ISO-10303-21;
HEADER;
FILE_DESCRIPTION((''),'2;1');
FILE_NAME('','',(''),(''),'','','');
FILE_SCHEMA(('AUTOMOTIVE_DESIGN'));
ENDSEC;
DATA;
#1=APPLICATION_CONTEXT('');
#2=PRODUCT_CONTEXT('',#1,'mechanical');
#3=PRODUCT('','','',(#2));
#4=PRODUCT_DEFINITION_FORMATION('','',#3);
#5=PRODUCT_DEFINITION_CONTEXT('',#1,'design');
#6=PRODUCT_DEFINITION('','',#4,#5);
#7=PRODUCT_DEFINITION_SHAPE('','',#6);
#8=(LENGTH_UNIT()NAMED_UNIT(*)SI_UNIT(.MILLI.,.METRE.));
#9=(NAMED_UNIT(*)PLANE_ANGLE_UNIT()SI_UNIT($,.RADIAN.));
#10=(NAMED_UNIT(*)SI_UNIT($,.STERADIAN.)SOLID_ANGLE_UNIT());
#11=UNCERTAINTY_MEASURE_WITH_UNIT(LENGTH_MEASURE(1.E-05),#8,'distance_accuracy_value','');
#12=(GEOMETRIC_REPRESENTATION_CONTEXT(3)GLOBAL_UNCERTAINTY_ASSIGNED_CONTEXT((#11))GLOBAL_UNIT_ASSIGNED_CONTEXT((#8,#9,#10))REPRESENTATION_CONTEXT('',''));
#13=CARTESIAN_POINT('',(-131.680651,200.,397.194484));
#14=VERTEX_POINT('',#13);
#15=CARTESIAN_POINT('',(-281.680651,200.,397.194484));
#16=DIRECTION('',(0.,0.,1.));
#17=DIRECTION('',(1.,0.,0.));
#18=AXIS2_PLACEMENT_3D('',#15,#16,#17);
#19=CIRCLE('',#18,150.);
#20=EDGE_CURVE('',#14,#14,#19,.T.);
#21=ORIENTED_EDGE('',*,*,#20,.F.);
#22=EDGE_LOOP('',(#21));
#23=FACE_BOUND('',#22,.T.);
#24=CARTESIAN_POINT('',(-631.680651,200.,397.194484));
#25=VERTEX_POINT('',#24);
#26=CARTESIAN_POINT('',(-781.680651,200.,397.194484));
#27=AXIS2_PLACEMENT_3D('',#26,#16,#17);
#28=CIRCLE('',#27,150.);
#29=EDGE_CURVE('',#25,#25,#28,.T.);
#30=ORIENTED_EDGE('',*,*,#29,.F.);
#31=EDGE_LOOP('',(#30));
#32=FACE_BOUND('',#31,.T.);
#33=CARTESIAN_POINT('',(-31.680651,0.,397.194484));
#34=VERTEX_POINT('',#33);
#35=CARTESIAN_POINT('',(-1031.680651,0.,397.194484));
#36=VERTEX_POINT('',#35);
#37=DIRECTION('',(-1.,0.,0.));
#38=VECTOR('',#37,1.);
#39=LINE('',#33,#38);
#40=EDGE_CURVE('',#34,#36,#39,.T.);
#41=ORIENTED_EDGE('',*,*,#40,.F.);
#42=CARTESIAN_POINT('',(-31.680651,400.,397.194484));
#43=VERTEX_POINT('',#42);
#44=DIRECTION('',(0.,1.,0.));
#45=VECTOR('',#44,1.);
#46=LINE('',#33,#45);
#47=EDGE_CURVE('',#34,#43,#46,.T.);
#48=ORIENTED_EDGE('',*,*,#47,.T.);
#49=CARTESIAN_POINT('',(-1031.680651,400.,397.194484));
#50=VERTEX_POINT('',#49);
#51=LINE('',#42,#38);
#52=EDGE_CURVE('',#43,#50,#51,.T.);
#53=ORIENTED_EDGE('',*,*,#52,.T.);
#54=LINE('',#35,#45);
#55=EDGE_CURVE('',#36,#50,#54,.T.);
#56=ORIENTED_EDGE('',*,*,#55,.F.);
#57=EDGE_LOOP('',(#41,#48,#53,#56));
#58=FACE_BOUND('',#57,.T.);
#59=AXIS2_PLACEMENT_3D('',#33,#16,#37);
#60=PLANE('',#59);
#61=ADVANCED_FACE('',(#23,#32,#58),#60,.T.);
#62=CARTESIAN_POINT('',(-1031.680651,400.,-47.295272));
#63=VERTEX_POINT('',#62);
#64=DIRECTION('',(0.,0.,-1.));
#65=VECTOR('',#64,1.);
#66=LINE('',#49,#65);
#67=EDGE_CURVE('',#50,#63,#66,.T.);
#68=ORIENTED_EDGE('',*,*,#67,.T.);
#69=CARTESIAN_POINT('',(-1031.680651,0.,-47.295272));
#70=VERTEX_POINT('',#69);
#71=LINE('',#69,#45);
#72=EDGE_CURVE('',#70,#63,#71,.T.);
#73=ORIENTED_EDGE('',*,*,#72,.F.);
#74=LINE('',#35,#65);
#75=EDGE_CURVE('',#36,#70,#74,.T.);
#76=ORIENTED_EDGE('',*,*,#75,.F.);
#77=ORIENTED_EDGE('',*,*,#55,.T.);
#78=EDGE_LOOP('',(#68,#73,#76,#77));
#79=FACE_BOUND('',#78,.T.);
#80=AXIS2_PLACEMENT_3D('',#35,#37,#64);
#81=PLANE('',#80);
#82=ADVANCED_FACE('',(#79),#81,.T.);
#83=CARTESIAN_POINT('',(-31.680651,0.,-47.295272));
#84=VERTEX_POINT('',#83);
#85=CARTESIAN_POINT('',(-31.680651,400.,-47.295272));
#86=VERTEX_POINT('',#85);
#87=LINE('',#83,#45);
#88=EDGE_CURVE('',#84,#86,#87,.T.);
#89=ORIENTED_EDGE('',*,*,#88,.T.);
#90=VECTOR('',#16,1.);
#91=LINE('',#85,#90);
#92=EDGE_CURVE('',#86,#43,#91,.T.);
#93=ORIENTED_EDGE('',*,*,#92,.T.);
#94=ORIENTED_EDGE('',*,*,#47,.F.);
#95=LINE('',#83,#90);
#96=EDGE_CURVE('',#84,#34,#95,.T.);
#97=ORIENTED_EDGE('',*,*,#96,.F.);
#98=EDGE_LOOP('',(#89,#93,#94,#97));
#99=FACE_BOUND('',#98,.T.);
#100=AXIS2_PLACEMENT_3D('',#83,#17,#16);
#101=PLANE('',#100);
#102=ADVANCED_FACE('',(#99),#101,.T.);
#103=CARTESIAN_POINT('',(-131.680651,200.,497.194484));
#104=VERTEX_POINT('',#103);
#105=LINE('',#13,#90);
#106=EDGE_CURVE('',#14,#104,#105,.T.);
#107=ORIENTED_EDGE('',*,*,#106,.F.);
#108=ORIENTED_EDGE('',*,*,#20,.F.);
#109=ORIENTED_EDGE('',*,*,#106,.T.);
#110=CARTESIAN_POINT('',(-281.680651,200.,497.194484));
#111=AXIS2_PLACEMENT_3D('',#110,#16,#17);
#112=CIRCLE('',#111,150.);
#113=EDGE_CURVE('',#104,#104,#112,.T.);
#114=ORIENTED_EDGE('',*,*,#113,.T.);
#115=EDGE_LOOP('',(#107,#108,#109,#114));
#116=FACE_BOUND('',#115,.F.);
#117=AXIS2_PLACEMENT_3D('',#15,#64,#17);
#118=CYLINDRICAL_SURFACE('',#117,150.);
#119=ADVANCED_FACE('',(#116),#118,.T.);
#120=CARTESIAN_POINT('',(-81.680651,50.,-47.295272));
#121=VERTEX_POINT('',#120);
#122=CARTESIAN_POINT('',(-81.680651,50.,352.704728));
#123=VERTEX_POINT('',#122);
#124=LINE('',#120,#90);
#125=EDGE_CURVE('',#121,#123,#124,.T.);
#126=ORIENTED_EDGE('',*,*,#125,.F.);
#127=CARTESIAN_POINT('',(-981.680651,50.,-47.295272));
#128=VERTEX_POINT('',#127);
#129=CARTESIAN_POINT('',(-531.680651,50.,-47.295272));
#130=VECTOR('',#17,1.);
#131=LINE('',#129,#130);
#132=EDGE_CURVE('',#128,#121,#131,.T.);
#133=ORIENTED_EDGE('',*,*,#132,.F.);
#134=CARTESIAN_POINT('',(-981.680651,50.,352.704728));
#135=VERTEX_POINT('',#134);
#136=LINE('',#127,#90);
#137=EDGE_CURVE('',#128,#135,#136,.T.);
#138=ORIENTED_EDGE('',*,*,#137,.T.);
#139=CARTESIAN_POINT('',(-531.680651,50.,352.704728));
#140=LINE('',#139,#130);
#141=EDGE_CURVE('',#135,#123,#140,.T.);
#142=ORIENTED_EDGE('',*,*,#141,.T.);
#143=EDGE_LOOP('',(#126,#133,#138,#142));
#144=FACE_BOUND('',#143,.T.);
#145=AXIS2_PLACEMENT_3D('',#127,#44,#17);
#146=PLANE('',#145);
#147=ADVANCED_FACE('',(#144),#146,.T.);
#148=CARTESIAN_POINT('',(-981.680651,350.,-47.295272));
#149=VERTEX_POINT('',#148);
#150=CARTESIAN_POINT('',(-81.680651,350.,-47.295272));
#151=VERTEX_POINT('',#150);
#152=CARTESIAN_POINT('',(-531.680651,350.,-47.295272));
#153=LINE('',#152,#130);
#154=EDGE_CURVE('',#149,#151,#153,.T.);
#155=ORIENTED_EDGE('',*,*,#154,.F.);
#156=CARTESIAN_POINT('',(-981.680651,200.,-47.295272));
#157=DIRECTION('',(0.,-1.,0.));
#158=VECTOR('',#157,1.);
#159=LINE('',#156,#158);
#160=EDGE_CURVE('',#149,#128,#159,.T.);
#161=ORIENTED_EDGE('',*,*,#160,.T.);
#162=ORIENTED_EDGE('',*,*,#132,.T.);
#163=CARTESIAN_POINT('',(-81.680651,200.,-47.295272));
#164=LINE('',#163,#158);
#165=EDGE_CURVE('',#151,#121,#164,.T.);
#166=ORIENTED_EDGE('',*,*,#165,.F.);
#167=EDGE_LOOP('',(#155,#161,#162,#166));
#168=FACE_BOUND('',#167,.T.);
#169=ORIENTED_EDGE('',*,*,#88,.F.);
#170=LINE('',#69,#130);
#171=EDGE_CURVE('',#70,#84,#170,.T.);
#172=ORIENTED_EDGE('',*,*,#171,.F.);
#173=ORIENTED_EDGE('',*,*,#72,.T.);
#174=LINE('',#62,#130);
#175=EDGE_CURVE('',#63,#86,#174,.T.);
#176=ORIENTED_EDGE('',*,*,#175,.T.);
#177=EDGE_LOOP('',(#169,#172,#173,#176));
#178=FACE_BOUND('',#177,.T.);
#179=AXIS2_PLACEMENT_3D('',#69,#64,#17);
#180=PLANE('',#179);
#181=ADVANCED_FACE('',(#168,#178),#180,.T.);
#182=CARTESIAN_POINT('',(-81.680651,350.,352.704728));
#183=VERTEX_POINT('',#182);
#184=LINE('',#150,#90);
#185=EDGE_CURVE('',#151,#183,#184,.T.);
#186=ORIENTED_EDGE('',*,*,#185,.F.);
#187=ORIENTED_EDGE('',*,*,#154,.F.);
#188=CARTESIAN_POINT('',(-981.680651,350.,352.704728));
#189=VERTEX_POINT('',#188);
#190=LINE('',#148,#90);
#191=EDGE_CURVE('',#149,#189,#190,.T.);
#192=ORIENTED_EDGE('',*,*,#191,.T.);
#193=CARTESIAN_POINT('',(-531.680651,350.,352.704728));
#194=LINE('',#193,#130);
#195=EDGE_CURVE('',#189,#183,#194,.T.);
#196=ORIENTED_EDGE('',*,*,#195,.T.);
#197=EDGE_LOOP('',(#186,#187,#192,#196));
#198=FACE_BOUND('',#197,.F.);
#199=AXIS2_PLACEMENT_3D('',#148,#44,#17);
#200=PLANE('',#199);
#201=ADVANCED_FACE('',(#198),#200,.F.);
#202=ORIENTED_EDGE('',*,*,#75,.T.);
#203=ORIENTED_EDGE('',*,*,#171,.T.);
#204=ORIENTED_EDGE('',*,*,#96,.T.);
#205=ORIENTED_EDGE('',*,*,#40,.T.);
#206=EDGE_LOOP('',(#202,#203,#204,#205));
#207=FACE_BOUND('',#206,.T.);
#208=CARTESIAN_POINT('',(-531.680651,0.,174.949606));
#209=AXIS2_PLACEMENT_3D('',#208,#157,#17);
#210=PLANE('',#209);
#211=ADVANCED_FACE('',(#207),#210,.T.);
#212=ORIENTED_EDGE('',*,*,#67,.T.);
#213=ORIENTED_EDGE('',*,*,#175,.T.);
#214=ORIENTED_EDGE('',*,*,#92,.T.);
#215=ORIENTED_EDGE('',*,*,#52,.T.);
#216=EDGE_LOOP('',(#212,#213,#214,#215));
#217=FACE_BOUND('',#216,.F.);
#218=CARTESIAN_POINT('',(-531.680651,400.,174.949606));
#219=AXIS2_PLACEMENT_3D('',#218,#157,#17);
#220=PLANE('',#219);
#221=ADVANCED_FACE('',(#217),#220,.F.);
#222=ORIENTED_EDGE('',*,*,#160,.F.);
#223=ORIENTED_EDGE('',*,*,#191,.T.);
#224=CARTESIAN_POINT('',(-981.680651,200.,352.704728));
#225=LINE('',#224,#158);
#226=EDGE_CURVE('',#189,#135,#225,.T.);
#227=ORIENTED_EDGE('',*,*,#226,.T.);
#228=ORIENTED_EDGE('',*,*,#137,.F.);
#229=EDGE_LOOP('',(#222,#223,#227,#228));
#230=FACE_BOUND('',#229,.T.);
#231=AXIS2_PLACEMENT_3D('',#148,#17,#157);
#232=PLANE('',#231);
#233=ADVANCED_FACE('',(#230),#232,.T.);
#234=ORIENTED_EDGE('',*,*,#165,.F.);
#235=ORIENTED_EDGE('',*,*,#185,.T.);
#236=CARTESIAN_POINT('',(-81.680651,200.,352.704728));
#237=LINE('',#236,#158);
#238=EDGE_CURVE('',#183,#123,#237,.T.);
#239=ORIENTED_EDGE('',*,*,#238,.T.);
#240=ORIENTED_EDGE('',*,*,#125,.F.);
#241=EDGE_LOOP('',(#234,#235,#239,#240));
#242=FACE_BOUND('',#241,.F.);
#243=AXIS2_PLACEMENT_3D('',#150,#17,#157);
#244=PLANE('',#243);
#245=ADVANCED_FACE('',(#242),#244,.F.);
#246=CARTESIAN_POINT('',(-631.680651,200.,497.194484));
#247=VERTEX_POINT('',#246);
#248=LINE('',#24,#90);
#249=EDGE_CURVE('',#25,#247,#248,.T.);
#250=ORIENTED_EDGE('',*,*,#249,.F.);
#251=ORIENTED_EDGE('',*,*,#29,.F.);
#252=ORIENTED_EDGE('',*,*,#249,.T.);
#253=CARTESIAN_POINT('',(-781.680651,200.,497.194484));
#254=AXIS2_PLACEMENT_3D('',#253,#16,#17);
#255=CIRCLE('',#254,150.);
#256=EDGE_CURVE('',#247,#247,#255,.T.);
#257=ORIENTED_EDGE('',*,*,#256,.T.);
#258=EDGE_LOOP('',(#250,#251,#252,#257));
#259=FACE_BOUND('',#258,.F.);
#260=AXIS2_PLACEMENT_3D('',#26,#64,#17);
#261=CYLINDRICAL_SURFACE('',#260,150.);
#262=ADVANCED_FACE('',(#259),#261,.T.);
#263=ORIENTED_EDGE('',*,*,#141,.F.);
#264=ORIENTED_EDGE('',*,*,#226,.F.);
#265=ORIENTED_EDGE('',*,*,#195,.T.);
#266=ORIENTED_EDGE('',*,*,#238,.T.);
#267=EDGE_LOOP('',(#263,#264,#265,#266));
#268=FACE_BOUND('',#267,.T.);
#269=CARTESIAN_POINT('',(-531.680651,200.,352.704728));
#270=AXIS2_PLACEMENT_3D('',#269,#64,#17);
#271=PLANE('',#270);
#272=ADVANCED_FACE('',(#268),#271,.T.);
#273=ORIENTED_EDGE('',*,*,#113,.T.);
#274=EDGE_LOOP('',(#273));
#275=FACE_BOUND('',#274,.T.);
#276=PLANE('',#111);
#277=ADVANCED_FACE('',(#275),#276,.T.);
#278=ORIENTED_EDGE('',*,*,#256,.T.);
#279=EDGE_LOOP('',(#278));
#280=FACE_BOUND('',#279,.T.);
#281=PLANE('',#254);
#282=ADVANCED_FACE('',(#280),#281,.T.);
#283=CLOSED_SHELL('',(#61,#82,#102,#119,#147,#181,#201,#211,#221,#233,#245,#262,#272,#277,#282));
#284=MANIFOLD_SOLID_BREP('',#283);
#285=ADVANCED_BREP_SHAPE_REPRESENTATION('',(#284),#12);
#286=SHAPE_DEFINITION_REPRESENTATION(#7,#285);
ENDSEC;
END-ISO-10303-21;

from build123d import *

# Parameters (mm, degrees)
F1_DEPTH = 400
F2_R     = 150
F3_DEPTH = 100
F4_W     = 900
F4_H     = 300
F5_DEPTH = 400


with BuildPart() as f1:
    # F0 (on Front) → F1 (new body)
    with BuildSketch(Plane.XZ):
        Polygon((-931.680651, 397.194484), (-1031.680651, 397.194484), (-1031.680651, -2.805516), (-1031.680651, -47.295272), (-31.680651, -47.295272), (-31.680651, 52.704728), (-31.680651, 397.194484), (-131.680651, 397.194484), (-431.680651, 397.194484), (-631.680651, 397.194484), align=None)
    extrude(amount=-F1_DEPTH)

    # F2 (on face) → F3 (join)
    with BuildSketch(Plane.XY.offset(397.194484)):
        with Locations((-781.680651, 200)):
            Circle(F2_R)
        with Locations((-281.680651, 200)):
            Circle(F2_R)
    extrude(amount=F3_DEPTH)

    # F4 (on face) → F5 (cut)
    with BuildSketch(Plane(origin=(0, 0, -47.295272), x_dir=(1, 0, 0), z_dir=(0, 0, -1))):
        with Locations((-531.680651, -200)):
            Rectangle(F4_W, F4_H)
    extrude(amount=-F5_DEPTH, mode=Mode.SUBTRACT)


solid = f1.part
